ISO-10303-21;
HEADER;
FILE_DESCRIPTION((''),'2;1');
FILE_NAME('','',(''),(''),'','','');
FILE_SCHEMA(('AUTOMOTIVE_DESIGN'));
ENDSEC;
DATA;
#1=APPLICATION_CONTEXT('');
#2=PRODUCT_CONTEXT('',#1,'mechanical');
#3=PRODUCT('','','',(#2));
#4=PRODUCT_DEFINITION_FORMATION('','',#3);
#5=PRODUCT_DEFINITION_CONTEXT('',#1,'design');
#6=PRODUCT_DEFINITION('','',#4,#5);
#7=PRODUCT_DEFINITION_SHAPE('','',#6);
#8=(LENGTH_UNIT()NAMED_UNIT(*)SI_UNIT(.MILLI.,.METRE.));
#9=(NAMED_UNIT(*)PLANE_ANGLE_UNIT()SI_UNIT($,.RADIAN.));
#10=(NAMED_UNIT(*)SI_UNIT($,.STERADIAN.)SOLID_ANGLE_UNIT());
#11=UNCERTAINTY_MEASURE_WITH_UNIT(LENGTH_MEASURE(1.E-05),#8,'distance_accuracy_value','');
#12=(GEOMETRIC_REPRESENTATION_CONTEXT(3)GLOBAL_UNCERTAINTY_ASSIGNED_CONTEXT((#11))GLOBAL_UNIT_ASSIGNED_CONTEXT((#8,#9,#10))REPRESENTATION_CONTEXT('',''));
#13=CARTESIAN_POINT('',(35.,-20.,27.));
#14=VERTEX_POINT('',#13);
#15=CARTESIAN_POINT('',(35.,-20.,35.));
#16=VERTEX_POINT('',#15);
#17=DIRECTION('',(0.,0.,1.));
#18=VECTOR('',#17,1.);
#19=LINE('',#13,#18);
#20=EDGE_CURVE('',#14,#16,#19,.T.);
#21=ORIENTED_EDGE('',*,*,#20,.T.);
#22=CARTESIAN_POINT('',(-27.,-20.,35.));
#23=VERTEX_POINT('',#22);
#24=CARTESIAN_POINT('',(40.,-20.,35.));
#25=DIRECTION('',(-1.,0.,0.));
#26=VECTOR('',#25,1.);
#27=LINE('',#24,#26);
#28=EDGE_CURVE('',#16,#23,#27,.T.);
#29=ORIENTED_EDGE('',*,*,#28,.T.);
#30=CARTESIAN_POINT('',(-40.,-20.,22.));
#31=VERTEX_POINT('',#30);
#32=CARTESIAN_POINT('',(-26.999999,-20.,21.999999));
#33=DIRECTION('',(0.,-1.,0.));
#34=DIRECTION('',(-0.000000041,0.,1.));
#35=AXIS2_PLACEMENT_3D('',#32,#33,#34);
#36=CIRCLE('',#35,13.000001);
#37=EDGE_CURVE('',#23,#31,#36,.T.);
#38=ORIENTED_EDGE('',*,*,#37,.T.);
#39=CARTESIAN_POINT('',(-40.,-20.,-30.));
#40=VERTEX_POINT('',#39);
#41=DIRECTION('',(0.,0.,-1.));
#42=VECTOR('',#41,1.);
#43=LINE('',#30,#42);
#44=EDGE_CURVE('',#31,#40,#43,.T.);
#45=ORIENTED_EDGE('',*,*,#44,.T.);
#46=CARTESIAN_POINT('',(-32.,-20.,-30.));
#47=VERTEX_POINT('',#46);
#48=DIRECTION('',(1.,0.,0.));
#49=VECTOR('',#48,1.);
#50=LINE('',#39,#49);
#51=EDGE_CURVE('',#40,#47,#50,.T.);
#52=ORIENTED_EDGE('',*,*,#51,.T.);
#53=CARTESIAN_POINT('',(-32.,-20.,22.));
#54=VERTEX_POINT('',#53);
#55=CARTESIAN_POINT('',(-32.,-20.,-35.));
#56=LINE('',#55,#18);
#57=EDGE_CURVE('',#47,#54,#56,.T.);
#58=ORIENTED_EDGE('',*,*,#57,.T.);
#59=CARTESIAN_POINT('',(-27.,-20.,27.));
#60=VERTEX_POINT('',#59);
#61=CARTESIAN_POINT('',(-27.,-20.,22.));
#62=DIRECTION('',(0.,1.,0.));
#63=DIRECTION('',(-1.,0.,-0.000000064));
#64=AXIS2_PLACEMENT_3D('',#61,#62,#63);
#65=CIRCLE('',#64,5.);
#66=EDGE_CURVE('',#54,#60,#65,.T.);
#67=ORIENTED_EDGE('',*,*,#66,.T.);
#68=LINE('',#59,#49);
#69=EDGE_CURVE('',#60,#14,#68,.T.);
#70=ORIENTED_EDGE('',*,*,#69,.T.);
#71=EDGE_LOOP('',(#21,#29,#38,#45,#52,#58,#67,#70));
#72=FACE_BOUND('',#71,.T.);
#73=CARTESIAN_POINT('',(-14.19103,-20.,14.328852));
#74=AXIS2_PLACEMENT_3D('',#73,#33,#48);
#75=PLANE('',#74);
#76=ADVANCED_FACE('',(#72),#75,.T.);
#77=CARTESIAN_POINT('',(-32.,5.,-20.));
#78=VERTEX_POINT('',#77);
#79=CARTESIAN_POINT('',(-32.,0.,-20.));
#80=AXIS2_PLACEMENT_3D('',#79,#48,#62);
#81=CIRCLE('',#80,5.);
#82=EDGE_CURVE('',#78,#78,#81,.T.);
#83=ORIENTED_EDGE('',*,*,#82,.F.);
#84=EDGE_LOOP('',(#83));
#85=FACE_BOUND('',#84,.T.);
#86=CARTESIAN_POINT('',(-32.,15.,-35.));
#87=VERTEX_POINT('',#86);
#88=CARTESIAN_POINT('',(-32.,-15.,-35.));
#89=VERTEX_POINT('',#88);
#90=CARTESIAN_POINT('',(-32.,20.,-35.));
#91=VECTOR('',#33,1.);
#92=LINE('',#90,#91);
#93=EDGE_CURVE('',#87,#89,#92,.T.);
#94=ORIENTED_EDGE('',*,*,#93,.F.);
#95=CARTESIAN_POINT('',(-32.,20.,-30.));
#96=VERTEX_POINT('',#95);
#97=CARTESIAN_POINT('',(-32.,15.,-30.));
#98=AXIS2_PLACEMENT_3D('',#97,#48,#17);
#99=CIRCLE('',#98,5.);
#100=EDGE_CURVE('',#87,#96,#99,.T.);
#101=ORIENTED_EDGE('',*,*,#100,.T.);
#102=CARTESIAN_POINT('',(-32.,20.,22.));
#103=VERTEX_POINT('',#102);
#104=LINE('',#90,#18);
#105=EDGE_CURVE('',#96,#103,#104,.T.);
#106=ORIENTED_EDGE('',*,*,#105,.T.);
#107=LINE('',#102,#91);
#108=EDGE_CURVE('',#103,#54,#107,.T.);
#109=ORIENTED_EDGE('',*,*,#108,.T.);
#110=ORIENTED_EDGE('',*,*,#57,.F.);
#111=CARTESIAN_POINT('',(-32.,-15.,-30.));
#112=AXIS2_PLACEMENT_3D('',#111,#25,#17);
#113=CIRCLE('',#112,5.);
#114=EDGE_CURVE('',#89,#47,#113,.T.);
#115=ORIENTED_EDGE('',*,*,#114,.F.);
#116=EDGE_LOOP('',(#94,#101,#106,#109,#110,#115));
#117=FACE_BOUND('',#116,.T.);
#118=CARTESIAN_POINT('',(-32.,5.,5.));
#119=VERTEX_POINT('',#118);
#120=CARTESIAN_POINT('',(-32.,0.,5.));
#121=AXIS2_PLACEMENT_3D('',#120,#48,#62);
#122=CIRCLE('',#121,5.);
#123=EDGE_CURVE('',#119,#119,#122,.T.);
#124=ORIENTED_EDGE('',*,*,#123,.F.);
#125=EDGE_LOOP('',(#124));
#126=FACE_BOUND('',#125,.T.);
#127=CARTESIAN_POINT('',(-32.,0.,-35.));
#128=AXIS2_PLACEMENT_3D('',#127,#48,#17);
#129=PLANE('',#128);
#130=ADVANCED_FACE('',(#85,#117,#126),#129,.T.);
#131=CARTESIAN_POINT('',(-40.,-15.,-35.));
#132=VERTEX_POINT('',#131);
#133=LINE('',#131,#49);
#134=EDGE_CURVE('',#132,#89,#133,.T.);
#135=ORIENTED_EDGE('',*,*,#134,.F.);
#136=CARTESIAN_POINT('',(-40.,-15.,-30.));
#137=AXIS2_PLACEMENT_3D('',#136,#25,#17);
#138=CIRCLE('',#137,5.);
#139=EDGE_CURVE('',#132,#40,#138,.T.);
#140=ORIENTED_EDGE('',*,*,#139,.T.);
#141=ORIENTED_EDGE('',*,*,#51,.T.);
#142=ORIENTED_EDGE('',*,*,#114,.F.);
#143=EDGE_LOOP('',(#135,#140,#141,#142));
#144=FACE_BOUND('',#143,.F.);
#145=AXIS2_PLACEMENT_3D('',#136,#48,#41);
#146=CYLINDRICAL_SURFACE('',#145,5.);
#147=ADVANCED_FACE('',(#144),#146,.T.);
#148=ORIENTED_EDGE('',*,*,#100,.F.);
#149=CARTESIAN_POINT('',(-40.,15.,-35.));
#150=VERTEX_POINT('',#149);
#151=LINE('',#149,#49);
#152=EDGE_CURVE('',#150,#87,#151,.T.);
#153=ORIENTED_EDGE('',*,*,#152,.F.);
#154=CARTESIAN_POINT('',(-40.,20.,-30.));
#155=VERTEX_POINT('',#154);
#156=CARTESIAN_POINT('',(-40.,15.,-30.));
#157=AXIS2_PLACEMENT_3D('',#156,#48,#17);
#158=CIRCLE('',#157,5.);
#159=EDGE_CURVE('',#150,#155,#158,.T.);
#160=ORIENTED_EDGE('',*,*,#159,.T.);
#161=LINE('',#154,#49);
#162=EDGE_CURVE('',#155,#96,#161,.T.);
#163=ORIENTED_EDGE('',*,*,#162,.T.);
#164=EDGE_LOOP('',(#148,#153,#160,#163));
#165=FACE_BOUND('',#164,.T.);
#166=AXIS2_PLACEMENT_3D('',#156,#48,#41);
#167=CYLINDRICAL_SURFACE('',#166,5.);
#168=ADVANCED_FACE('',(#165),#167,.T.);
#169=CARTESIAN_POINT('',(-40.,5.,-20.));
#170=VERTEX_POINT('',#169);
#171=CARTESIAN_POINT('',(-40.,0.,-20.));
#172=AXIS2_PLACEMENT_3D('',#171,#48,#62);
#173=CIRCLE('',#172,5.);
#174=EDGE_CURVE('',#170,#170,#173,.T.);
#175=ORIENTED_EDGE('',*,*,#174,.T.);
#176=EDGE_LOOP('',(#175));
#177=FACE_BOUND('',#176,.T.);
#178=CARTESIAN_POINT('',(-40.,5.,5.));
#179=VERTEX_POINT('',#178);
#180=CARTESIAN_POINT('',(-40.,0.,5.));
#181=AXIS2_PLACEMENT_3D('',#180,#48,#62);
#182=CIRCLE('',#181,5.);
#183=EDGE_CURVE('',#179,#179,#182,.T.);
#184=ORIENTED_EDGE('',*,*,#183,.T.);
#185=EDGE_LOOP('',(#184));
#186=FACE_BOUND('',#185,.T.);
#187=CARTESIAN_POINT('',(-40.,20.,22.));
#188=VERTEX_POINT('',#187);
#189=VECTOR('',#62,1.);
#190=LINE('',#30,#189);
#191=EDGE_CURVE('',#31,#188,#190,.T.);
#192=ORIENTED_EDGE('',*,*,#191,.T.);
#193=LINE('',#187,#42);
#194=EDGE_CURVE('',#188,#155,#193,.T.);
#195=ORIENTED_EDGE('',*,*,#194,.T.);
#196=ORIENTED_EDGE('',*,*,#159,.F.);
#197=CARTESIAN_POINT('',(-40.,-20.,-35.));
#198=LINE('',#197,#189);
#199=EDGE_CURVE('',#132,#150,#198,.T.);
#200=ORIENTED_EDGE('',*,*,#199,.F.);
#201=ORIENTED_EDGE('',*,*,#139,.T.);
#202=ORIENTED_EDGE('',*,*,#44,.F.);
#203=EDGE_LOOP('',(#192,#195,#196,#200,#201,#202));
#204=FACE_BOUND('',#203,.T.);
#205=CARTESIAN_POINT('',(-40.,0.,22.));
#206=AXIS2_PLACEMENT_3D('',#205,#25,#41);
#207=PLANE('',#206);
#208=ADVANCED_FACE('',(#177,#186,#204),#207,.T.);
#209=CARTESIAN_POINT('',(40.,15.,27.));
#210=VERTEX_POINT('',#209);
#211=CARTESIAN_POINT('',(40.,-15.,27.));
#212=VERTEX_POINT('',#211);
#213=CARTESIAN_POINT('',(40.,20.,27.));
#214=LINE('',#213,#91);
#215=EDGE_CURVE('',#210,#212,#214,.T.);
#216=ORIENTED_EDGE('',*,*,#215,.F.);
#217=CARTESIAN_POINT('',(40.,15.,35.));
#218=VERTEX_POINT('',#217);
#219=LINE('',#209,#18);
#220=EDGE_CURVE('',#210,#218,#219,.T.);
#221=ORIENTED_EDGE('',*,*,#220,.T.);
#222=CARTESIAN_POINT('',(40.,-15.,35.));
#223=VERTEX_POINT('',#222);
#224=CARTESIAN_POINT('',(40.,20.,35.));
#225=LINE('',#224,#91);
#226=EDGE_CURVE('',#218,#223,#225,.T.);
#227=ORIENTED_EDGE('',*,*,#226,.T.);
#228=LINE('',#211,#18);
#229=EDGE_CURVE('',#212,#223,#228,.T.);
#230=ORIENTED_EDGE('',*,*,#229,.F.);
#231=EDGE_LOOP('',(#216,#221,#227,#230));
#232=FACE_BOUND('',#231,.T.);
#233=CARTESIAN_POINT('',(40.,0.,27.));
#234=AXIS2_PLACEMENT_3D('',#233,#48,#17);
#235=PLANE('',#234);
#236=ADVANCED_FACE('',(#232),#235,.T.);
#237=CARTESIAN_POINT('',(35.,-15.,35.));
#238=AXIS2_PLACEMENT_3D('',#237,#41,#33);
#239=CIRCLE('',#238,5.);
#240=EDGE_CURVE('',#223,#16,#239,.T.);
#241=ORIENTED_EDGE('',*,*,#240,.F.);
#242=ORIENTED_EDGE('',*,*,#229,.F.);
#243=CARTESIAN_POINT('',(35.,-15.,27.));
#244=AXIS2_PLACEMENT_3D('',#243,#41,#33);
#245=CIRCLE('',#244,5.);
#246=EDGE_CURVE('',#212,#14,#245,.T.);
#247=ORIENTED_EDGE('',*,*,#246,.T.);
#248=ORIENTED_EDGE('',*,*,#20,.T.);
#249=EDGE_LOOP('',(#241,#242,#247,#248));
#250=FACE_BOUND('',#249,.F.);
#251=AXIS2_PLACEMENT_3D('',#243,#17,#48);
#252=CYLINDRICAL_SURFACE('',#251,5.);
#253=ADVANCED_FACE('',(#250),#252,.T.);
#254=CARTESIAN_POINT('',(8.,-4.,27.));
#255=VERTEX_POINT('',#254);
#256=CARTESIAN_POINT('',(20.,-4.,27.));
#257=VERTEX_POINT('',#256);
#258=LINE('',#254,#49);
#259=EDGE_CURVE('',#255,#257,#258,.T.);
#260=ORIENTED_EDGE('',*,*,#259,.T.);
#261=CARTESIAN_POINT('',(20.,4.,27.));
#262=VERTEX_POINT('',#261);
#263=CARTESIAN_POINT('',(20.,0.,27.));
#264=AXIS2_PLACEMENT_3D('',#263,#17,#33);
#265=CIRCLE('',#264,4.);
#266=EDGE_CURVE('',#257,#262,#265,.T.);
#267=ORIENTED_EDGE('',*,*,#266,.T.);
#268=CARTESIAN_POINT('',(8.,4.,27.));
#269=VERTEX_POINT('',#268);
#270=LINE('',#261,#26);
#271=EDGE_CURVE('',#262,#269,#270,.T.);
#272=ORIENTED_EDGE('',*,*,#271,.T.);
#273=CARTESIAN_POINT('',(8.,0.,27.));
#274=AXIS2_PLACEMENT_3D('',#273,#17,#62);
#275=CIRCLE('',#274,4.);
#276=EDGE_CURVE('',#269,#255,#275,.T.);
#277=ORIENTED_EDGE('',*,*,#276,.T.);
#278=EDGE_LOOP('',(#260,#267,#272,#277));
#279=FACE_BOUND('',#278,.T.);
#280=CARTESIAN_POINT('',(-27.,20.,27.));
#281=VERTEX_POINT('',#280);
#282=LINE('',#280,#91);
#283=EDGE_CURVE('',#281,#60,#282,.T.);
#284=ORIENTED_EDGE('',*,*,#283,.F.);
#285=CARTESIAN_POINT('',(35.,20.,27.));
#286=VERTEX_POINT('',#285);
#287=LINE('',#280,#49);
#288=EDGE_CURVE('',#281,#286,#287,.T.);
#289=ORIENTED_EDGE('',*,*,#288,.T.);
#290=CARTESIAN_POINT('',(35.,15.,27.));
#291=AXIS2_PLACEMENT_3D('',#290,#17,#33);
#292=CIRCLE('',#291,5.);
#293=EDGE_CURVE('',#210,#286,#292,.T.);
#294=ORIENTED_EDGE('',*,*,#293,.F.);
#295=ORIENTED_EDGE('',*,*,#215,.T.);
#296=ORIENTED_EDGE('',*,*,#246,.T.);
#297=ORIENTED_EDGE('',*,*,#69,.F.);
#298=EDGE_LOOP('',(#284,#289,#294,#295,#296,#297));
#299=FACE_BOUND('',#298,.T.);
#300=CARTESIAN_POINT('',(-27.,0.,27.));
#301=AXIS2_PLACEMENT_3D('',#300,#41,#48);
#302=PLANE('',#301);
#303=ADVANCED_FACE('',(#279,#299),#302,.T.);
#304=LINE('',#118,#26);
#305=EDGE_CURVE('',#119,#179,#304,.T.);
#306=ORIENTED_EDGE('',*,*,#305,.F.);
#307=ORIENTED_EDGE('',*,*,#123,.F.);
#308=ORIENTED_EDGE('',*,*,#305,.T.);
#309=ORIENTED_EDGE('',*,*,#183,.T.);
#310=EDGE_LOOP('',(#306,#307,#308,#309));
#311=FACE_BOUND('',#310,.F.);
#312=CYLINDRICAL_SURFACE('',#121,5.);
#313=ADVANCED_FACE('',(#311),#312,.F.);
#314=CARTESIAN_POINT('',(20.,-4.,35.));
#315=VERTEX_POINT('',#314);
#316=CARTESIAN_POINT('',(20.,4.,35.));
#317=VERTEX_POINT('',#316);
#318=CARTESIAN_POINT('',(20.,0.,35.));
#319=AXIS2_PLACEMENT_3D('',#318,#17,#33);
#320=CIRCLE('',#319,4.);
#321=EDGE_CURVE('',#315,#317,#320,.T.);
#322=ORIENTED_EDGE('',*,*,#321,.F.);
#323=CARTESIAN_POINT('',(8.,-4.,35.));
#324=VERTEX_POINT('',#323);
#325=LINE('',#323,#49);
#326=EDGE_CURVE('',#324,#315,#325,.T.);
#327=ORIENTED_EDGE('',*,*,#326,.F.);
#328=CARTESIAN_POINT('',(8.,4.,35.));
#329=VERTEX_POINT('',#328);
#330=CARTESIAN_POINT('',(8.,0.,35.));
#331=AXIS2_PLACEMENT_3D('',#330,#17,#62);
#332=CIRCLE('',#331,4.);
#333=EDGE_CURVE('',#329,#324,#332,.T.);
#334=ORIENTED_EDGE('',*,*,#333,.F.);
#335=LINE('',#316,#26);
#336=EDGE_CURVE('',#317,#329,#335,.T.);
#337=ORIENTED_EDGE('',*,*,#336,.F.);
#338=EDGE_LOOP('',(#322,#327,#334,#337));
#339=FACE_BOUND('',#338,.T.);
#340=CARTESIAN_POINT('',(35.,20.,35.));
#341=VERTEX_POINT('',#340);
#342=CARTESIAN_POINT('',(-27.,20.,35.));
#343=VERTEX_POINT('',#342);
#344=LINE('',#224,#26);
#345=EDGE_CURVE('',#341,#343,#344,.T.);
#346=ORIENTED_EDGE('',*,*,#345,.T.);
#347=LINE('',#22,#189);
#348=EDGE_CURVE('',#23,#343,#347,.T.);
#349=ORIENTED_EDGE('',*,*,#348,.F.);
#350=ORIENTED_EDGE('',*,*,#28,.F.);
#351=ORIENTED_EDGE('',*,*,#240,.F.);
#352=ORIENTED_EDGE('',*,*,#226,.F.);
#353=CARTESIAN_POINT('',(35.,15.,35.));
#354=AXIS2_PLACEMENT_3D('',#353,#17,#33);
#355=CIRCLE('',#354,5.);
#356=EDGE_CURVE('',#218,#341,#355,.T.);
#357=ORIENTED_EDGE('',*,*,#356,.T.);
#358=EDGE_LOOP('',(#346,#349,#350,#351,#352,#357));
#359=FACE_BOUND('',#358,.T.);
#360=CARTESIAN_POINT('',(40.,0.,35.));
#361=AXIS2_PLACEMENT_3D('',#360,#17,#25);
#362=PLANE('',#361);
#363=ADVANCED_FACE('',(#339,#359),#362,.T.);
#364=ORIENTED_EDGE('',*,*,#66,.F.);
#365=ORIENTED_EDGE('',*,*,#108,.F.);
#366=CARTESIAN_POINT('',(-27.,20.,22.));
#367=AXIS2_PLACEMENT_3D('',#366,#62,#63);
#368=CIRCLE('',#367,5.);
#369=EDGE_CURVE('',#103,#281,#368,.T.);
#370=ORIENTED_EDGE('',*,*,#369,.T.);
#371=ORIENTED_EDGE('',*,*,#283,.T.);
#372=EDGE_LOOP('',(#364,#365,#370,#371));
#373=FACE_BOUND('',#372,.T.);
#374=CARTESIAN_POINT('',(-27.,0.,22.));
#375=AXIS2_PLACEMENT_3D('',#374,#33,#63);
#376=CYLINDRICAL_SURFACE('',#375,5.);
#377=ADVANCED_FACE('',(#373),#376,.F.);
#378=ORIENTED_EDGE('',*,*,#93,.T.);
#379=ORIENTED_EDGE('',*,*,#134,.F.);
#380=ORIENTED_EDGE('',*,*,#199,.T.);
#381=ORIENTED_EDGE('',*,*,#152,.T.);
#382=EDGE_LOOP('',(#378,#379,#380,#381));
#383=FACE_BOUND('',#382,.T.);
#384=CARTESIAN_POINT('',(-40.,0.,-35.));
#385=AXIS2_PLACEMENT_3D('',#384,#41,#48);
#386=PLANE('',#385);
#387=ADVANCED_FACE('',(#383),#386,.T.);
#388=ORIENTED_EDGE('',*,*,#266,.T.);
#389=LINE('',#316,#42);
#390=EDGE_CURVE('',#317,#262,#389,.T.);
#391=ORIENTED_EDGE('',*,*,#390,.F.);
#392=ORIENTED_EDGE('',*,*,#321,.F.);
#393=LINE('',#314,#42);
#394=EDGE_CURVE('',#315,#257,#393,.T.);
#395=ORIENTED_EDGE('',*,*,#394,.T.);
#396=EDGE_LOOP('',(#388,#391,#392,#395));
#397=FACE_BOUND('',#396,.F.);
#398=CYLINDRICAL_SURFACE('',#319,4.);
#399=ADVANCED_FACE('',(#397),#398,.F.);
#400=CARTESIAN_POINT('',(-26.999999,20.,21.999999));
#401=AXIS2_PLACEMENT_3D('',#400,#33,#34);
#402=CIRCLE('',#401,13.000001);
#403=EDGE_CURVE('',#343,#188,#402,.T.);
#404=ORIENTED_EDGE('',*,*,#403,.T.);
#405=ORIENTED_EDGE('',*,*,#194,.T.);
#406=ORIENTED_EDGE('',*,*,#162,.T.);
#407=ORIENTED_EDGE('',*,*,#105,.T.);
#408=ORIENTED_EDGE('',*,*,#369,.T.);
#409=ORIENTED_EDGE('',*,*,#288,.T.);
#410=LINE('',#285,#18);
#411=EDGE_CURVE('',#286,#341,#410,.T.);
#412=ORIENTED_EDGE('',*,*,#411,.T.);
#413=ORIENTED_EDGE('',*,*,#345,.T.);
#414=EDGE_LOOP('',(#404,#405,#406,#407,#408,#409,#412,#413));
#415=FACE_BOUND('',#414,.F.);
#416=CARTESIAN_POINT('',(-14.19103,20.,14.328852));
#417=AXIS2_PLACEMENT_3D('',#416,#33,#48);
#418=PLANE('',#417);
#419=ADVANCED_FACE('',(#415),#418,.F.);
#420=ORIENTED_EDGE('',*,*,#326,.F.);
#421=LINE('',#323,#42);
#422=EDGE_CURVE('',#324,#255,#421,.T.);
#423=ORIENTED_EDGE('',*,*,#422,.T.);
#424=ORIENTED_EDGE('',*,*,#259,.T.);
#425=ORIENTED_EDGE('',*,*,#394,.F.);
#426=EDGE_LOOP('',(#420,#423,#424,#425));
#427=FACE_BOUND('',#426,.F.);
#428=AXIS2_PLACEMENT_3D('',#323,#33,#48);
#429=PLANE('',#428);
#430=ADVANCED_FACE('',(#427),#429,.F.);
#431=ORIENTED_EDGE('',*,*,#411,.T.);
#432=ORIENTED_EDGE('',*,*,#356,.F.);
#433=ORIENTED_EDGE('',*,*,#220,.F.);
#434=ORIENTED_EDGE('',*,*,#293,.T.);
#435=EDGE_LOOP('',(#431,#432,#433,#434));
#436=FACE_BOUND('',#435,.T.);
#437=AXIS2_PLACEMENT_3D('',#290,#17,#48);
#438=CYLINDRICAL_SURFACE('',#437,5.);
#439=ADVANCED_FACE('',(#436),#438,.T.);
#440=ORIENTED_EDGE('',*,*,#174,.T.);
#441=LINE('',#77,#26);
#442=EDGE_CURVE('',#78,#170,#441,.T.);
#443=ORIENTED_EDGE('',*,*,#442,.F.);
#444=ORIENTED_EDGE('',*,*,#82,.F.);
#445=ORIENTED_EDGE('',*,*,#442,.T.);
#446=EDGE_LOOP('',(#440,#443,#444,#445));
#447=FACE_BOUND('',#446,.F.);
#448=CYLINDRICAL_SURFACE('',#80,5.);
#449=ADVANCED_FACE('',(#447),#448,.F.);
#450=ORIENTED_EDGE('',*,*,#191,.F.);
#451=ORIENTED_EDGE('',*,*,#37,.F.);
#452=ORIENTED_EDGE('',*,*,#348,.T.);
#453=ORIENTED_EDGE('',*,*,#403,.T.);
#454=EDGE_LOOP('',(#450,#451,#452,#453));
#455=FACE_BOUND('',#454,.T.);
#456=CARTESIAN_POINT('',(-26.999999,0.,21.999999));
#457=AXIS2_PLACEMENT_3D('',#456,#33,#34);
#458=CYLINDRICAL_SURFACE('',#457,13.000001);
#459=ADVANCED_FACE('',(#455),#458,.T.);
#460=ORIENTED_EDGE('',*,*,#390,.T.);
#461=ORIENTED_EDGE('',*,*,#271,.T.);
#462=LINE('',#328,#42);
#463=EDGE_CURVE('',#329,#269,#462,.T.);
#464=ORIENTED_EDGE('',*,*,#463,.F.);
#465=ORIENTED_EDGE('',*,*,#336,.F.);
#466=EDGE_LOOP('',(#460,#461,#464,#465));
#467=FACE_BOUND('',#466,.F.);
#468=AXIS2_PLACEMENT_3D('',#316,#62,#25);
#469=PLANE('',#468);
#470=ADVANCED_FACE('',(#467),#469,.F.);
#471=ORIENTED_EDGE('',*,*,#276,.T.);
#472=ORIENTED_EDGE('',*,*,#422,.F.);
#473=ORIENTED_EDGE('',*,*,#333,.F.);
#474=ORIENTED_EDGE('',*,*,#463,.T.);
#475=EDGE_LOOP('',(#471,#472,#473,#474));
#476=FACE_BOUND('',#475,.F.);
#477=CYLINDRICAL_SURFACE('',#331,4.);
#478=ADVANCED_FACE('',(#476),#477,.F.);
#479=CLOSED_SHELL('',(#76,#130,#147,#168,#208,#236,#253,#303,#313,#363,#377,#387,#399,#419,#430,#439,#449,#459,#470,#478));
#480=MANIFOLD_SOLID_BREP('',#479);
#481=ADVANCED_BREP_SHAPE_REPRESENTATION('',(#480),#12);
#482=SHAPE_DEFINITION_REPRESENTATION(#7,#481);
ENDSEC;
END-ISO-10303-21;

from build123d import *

# Parameters (mm, degrees)
F1_DEPTH = 20
F2_R     = 5
F4_DEPTH = 8
F5_R     = 5
F6_DEPTH = 8


with BuildPart() as f1:
    # F0 (on Front) → F1 (new body, symmetric)
    with BuildSketch(Plane.XZ):
        with BuildLine():
            Line((-40, -35), (-32, -35))
            Line((-32, -35), (-32, 22))
            ThreePointArc((-32, 22), (-30.535534, 25.535534), (-27, 27))
            Line((-27, 27), (40, 27))
            Line((40, 27), (40, 35))
            Line((40, 35), (-27, 35))
            ThreePointArc((-27, 35), (-36.192388, 31.192388), (-40, 22))
            Line((-40, 22), (-40, -35))
        make_face()
    extrude(amount=F1_DEPTH, both=True)

    # F2
    f2_edges = [f1.edges().sort_by_distance(p)[0] for p in [
        (40, -20, 31),
        (40, 20, 31),
        (-36, -20, -35),
        (-36, 20, -35),
    ]]
    fillet(f2_edges, radius=F2_R)

    # F3 (on face) → F4 (cut, through all)
    with BuildSketch(Plane.XY.offset(35)):
        with BuildLine():
            Line((8, -4), (20, -4))
            ThreePointArc((20, -4), (24, 0), (20, 4))
            Line((20, 4), (8, 4))
            ThreePointArc((8, 4), (4, 0), (8, -4))
        make_face()
    extrude(amount=-F4_DEPTH, mode=Mode.SUBTRACT)

    # F5 (on face) → F6 (cut, through all)
    with BuildSketch(Plane.YZ.offset(-32)):
        with Locations((0, -20)):
            Circle(F5_R)
        with Locations((0, 5)):
            Circle(F5_R)
    extrude(amount=-F6_DEPTH, mode=Mode.SUBTRACT)


solid = f1.part
